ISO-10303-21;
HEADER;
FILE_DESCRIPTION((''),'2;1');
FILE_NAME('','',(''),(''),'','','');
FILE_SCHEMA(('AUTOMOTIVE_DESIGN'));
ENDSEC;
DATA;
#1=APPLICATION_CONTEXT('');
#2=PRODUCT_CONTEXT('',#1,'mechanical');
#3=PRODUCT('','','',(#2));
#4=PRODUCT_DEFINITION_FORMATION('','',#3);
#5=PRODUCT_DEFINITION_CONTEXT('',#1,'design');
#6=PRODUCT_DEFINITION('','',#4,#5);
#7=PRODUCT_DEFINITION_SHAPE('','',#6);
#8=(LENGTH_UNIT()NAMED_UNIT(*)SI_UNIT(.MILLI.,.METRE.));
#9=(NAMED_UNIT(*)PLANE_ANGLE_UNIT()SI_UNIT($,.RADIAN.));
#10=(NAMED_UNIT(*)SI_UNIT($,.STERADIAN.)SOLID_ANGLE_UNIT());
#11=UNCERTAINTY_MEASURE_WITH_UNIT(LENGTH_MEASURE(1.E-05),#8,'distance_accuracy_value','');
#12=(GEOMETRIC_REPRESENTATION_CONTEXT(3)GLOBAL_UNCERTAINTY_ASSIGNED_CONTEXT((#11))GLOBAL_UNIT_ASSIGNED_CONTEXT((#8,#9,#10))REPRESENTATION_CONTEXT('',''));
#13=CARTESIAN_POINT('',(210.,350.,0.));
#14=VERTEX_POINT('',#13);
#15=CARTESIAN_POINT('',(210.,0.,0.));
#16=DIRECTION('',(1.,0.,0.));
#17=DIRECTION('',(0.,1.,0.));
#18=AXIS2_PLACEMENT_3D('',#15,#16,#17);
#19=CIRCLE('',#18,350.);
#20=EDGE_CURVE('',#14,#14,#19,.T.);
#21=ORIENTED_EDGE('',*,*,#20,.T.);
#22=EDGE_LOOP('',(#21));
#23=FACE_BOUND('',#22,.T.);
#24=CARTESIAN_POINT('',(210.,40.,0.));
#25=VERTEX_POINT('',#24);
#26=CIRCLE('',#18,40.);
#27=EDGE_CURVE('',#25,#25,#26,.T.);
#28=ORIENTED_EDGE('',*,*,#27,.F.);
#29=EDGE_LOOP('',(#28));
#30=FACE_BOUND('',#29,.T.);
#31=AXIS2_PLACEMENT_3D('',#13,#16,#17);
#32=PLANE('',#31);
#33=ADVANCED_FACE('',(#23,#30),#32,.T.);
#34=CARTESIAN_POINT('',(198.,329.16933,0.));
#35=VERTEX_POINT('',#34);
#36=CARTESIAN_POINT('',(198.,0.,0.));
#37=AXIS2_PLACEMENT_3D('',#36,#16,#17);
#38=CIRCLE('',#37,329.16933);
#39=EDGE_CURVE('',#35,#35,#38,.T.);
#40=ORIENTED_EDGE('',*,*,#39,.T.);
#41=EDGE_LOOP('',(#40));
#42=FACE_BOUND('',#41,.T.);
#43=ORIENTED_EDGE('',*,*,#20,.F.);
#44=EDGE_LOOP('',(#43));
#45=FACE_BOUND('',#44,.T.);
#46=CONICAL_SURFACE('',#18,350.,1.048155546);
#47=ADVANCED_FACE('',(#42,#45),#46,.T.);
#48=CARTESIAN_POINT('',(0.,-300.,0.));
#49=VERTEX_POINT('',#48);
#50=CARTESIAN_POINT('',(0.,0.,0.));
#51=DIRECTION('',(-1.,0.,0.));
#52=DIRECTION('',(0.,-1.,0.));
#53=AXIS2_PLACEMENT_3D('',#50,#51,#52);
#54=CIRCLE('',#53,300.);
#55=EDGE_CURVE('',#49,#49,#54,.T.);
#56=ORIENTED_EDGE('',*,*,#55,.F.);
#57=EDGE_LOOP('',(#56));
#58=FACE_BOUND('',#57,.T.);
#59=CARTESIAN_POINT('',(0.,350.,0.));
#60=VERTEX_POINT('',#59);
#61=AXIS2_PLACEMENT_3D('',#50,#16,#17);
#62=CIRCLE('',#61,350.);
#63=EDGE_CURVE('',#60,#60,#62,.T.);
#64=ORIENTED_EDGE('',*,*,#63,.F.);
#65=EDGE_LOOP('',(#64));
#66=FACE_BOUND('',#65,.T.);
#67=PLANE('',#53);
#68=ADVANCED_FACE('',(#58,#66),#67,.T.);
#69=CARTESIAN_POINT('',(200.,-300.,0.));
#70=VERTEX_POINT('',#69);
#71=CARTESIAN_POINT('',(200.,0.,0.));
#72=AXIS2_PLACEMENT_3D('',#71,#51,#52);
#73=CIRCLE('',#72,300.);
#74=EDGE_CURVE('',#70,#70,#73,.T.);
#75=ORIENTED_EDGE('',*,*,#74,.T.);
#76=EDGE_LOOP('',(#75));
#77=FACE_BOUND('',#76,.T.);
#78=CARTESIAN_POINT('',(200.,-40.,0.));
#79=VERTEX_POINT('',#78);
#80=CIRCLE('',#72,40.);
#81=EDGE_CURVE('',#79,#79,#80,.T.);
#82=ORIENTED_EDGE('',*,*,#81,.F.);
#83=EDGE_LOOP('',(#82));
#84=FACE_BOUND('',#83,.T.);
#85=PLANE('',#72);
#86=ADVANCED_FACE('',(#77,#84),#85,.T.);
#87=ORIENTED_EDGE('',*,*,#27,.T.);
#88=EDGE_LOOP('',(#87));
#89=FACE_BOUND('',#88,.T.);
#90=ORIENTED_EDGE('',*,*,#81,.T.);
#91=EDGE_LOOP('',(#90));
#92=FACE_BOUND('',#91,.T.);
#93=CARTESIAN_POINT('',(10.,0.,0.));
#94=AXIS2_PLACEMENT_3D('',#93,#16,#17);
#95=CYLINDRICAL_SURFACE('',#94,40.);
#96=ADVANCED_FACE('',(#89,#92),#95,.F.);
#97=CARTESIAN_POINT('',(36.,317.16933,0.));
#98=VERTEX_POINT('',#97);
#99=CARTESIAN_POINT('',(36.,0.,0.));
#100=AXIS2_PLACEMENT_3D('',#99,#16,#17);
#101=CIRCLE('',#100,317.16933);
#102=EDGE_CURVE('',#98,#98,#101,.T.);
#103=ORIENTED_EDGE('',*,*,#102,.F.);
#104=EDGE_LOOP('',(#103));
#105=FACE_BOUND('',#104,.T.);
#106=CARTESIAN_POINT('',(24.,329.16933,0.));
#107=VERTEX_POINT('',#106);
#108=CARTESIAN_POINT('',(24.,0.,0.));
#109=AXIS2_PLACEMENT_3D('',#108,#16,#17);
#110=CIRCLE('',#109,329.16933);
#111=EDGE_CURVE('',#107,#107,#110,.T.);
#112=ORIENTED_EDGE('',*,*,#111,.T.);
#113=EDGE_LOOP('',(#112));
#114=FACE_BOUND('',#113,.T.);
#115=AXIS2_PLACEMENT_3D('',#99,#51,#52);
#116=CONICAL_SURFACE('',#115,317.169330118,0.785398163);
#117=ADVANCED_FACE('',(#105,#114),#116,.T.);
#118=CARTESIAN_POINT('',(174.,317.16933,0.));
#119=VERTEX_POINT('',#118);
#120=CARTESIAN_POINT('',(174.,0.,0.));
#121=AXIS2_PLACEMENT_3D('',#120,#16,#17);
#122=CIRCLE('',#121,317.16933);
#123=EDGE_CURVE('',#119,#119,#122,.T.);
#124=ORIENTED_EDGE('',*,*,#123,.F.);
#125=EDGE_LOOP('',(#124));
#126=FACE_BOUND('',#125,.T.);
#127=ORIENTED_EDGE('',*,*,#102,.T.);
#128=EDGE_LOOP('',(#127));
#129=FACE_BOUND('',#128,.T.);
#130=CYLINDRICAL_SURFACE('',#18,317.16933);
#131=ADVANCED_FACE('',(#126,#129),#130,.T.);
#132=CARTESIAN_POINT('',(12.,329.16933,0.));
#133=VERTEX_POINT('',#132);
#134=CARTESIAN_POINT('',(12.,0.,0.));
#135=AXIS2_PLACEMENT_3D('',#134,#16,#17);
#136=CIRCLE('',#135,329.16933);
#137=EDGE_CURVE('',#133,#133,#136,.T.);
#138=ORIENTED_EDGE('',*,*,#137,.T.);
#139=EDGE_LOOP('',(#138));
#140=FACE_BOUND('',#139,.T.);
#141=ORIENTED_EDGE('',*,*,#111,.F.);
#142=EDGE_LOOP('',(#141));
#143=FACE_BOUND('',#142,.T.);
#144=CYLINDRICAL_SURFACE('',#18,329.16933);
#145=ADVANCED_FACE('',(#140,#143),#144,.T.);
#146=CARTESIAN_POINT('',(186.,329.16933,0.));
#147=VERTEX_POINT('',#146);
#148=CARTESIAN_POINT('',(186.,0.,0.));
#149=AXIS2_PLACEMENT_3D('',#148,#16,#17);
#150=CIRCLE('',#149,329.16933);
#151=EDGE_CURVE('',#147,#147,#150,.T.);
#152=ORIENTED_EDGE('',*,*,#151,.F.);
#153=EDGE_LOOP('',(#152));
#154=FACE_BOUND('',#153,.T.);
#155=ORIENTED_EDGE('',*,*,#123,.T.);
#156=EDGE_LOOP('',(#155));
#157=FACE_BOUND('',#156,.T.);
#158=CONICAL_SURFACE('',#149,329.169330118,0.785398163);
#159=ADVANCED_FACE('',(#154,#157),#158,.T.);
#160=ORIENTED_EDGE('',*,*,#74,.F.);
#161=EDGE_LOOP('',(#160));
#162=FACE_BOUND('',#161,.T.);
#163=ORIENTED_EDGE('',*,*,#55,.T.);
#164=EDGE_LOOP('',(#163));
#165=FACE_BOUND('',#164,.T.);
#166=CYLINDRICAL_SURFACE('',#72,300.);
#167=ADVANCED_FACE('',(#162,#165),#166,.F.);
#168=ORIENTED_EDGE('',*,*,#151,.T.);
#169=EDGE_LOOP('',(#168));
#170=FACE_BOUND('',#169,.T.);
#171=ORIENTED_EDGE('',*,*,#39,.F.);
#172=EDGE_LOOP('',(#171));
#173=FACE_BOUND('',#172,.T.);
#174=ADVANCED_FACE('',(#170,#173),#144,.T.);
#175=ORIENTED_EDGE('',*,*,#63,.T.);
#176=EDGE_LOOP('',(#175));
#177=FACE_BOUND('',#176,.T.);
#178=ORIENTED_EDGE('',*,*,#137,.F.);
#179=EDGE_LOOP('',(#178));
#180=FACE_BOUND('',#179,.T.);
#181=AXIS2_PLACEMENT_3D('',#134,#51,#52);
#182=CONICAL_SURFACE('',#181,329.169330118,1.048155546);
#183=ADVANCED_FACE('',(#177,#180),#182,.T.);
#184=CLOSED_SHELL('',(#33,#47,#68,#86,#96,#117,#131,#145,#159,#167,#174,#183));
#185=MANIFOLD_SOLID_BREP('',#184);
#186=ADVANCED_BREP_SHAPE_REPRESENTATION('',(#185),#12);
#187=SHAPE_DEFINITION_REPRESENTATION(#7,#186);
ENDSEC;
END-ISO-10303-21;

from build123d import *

# Parameters (mm, degrees)
SKETCH2_R          = 300
CUT_EXTRUDE1_DEPTH = 200
SKETCH3_R          = 40
CUT_EXTRUDE2_DEPTH = 200


with BuildPart() as part:
    # Sketch1 → Revolve2 (revolve)
    with BuildSketch(Plane.XY):
        Polygon((0, 0), (0, 350), (12, 329.169330118), (24, 329.169330118), (36, 317.169330118), (174, 317.169330118), (186, 329.169330118), (198, 329.169330118), (210, 350), (210, 0), align=None)
    revolve(axis=Axis((210, 0, 0), (-1, 0, 0)))

    # Sketch2 → Cut-Extrude1 (cut)
    with BuildSketch(Plane.ZY):
        with Locations(Location((0, 0, 0), (0, 0, 270))):
            Circle(SKETCH2_R)
    extrude(amount=-CUT_EXTRUDE1_DEPTH, mode=Mode.SUBTRACT)

    # Sketch3 → Cut-Extrude2 (cut)
    with BuildSketch(Plane(origin=(210, 0, 0), x_dir=(0, 0, -1), z_dir=(1, 0, 0))):
        with Locations(Location((0, 0, 0), (0, 0, 90))):
            Circle(SKETCH3_R)
    extrude(amount=-CUT_EXTRUDE2_DEPTH, mode=Mode.SUBTRACT)


solid = part.part
